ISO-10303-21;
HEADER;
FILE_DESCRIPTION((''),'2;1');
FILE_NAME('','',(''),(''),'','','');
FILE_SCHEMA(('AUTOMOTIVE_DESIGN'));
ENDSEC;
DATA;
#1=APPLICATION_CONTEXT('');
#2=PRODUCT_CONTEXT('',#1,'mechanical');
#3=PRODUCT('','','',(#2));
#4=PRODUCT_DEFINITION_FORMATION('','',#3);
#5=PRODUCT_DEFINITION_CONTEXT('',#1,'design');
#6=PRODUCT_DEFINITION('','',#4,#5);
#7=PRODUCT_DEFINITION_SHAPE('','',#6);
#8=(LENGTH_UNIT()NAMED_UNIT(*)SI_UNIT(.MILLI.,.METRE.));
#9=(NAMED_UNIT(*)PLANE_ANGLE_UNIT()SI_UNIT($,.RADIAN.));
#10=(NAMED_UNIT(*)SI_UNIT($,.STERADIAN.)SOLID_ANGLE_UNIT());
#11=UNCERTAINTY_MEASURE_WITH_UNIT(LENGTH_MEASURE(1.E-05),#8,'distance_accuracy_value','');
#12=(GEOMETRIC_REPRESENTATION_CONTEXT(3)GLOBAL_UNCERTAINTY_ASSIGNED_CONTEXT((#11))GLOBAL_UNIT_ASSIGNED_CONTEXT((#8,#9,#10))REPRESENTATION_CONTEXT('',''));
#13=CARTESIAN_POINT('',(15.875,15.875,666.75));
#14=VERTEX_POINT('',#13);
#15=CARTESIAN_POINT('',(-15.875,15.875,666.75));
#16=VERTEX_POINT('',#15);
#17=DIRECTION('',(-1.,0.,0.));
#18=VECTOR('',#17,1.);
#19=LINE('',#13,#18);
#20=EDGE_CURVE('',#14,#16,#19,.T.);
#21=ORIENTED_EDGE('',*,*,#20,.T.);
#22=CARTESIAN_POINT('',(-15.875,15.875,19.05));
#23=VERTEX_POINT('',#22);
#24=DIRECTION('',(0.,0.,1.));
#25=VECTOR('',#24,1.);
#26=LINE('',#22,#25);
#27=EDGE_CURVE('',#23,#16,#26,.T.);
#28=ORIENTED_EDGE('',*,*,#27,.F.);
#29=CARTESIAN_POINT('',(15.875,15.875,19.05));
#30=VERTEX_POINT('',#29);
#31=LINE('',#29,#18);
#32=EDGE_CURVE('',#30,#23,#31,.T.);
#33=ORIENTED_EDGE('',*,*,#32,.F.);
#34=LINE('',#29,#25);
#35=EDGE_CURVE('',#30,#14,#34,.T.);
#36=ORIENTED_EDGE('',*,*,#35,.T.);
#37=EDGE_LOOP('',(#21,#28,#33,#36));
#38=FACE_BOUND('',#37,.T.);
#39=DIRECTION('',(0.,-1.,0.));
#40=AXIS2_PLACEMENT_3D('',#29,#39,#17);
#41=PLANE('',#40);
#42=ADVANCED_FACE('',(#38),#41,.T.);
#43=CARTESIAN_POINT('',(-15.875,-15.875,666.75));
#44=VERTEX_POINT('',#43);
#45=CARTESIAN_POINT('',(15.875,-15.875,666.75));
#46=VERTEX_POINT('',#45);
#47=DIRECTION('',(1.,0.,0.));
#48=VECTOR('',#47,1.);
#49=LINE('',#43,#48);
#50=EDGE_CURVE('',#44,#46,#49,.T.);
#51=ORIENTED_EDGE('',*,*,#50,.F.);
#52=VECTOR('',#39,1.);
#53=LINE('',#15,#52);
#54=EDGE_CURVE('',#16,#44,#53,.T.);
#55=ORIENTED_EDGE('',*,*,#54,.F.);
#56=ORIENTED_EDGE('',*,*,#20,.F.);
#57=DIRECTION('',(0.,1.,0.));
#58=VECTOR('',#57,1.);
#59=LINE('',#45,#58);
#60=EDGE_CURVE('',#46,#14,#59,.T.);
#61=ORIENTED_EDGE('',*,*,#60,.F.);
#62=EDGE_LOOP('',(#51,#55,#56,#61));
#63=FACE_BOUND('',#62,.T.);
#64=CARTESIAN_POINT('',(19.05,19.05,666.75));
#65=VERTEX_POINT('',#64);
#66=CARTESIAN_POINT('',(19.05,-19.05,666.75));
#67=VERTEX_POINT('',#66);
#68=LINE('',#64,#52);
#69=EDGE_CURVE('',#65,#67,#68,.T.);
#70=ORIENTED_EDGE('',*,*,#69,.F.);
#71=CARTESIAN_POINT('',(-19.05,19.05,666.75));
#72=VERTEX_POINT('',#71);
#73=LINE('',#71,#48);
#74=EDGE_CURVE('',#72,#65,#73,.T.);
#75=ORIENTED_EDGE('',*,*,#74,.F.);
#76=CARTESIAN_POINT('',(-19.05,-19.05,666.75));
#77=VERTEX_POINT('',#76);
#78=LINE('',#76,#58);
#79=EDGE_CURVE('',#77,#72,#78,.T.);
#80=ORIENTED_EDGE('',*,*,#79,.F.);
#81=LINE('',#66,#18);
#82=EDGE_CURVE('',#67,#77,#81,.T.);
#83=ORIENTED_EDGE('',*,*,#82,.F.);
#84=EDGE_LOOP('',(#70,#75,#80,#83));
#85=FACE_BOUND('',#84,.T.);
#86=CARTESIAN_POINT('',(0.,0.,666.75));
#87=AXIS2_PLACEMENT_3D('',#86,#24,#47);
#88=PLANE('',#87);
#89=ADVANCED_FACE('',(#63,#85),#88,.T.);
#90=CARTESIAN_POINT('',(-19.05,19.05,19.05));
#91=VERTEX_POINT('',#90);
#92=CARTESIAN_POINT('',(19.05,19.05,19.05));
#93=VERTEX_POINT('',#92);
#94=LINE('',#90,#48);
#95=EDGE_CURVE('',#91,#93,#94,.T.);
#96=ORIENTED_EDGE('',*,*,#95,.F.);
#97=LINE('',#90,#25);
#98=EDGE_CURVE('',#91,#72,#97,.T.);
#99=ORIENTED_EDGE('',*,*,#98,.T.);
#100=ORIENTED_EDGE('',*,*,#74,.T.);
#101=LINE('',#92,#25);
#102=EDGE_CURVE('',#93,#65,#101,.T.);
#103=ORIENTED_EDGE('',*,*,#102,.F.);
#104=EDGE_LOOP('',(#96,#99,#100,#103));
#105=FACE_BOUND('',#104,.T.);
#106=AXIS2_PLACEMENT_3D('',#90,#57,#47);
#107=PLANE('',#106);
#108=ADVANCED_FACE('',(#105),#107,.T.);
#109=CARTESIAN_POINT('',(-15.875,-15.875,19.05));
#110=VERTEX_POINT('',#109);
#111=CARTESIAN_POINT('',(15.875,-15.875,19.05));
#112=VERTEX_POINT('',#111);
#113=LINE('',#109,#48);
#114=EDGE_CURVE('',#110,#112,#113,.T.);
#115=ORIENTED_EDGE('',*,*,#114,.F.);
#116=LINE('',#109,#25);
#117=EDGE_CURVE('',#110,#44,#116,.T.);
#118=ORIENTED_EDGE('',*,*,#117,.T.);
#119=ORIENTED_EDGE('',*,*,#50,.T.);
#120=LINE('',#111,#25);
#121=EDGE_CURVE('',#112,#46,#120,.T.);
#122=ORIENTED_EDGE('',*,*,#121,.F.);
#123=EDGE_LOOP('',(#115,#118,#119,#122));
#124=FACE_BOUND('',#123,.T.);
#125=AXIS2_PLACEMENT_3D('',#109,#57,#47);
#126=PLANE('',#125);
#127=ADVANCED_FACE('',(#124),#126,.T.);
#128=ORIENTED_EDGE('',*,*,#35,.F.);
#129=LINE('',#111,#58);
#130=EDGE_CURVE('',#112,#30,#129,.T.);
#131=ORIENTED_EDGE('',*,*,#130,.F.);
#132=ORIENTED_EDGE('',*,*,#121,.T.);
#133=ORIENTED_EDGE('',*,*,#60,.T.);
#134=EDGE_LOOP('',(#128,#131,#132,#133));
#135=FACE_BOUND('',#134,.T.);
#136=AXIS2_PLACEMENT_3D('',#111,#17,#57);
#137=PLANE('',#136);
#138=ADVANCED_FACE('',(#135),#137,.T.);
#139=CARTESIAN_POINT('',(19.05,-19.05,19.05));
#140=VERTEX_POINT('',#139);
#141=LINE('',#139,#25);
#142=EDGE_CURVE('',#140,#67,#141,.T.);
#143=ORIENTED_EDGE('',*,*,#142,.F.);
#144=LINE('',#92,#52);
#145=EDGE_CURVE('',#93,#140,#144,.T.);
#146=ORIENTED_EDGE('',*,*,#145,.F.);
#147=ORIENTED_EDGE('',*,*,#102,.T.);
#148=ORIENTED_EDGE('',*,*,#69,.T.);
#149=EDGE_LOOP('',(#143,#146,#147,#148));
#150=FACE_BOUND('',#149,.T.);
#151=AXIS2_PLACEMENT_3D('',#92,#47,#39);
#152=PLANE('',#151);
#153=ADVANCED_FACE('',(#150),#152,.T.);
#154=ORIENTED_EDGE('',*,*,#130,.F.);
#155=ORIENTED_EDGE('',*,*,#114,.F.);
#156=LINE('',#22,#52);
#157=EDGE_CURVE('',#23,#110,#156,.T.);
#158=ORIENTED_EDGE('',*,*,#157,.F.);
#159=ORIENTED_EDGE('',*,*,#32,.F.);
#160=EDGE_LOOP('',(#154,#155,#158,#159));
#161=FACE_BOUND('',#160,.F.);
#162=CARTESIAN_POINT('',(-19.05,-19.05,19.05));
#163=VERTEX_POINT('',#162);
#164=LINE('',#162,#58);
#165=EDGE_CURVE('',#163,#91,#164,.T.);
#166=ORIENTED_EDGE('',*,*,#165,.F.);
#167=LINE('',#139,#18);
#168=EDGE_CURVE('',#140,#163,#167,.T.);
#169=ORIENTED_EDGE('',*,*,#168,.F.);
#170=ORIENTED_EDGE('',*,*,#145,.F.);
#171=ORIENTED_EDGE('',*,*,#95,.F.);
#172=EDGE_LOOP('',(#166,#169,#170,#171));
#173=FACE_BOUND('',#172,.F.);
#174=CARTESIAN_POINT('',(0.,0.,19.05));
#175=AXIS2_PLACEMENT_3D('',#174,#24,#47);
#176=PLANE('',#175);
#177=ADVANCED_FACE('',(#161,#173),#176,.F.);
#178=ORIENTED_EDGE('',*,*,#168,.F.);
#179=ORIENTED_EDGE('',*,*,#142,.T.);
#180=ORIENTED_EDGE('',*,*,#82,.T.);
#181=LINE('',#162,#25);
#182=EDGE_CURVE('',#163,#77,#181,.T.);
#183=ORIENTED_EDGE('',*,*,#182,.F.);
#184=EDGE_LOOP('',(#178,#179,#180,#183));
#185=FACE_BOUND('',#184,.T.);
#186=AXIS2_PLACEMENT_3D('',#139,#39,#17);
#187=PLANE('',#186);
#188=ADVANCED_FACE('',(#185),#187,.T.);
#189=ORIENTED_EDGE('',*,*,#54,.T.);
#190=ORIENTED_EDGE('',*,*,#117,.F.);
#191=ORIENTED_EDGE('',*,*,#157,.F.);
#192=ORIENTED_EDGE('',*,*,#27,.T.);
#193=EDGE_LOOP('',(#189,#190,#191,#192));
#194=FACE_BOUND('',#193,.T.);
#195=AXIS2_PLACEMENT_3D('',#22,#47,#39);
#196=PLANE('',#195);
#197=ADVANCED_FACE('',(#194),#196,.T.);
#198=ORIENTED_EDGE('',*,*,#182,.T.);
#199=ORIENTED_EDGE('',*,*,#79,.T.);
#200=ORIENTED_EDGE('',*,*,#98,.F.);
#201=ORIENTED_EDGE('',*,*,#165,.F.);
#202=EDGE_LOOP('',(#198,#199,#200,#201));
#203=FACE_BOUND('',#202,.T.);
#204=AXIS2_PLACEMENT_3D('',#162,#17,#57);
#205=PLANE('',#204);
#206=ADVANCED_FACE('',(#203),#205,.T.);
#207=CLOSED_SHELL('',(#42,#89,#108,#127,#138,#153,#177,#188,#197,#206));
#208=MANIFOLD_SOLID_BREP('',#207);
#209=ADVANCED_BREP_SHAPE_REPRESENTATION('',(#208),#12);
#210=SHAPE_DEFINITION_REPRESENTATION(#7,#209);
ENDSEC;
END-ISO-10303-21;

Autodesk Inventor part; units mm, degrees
ref_plane "Start Plane" through (0, 0, 19.05) normal (0, 0, 1) x (1, 0, 0)
ref_plane "End Plane" through (0, 0, 666.75) normal (0, 0, 1) x (1, 0, 0)
sketch "Sketch" plane through (0, 0, 0) normal (0, 0, 1) x (1, 0, 0)
  line L0 (-19.05, 19.05) -> (19.05, 19.05)
  line L1 (19.05, 19.05) -> (19.05, -19.05)
  line L2 (19.05, -19.05) -> (-19.05, -19.05)
  line L3 (-19.05, -19.05) -> (-19.05, 19.05)
  line L4 (15.875, 15.875) -> (-15.875, 15.875)
  line L5 (-15.875, 15.875) -> (-15.875, -15.875)
  line L6 (-15.875, -15.875) -> (15.875, -15.875)
  line L7 (15.875, -15.875) -> (15.875, 15.875)
  point P0 (0, 0)
  point P1 (0, 19.05)
  point P2 (-19.05, 0)
  dimension "width" = 38.1
  dimension "d1" = 3.175
extrude "Body" add sketch "Sketch" along normal up to surface (647.7 mm away) from surface at 19.05
sketch "Sketch4" plane through (0, 0, 0) normal (0, 0, 1) x (1, 0, 0)
  line L0 (0, 0) -> (10, 0)
ref_plane "Work Plane4" through (0, 0, 0) normal (0, -1, 0) x (1, 0, 0)
sketch "Sketch5" plane through (0, 0, 0) normal (0, -1, 0) x (1, 0, 0)
  line L0 (-2, 19.05) -> (12, 19.05)
  line L1 (-2, 666.75) -> (12, 666.75)
  dimension "d9" = 647.7
ref_plane "Work Plane5" through (914.4, 19.05, 19.05) normal (0, 0, -1) x (-1, 0, 0)
split "Split1" plane through (914.4, 19.05, 19.05) removes the side toward (0, 0, -1)
ref_plane "Work Plane6" through (-254, 19.05, 666.75) normal (0, 0, 1) x (1, 0, 0)
split "Split2" plane through (-254, 19.05, 666.75) removes the side toward (0, 0, 1)
equation "\"G_OFFSET_START\" = -19.05"
equation "\"G_OFFSET_END\" = -19.05"
equation "\"d4\" = -G_OFFSET_START"
equation "\"d5\" = length + G_OFFSET_END"
equation "\"G_L\" = 723.9"
equation "\"length\" = 685.8"
properties part number "1.5x1.5x.125 Tube" material "Aluminum-6061"
